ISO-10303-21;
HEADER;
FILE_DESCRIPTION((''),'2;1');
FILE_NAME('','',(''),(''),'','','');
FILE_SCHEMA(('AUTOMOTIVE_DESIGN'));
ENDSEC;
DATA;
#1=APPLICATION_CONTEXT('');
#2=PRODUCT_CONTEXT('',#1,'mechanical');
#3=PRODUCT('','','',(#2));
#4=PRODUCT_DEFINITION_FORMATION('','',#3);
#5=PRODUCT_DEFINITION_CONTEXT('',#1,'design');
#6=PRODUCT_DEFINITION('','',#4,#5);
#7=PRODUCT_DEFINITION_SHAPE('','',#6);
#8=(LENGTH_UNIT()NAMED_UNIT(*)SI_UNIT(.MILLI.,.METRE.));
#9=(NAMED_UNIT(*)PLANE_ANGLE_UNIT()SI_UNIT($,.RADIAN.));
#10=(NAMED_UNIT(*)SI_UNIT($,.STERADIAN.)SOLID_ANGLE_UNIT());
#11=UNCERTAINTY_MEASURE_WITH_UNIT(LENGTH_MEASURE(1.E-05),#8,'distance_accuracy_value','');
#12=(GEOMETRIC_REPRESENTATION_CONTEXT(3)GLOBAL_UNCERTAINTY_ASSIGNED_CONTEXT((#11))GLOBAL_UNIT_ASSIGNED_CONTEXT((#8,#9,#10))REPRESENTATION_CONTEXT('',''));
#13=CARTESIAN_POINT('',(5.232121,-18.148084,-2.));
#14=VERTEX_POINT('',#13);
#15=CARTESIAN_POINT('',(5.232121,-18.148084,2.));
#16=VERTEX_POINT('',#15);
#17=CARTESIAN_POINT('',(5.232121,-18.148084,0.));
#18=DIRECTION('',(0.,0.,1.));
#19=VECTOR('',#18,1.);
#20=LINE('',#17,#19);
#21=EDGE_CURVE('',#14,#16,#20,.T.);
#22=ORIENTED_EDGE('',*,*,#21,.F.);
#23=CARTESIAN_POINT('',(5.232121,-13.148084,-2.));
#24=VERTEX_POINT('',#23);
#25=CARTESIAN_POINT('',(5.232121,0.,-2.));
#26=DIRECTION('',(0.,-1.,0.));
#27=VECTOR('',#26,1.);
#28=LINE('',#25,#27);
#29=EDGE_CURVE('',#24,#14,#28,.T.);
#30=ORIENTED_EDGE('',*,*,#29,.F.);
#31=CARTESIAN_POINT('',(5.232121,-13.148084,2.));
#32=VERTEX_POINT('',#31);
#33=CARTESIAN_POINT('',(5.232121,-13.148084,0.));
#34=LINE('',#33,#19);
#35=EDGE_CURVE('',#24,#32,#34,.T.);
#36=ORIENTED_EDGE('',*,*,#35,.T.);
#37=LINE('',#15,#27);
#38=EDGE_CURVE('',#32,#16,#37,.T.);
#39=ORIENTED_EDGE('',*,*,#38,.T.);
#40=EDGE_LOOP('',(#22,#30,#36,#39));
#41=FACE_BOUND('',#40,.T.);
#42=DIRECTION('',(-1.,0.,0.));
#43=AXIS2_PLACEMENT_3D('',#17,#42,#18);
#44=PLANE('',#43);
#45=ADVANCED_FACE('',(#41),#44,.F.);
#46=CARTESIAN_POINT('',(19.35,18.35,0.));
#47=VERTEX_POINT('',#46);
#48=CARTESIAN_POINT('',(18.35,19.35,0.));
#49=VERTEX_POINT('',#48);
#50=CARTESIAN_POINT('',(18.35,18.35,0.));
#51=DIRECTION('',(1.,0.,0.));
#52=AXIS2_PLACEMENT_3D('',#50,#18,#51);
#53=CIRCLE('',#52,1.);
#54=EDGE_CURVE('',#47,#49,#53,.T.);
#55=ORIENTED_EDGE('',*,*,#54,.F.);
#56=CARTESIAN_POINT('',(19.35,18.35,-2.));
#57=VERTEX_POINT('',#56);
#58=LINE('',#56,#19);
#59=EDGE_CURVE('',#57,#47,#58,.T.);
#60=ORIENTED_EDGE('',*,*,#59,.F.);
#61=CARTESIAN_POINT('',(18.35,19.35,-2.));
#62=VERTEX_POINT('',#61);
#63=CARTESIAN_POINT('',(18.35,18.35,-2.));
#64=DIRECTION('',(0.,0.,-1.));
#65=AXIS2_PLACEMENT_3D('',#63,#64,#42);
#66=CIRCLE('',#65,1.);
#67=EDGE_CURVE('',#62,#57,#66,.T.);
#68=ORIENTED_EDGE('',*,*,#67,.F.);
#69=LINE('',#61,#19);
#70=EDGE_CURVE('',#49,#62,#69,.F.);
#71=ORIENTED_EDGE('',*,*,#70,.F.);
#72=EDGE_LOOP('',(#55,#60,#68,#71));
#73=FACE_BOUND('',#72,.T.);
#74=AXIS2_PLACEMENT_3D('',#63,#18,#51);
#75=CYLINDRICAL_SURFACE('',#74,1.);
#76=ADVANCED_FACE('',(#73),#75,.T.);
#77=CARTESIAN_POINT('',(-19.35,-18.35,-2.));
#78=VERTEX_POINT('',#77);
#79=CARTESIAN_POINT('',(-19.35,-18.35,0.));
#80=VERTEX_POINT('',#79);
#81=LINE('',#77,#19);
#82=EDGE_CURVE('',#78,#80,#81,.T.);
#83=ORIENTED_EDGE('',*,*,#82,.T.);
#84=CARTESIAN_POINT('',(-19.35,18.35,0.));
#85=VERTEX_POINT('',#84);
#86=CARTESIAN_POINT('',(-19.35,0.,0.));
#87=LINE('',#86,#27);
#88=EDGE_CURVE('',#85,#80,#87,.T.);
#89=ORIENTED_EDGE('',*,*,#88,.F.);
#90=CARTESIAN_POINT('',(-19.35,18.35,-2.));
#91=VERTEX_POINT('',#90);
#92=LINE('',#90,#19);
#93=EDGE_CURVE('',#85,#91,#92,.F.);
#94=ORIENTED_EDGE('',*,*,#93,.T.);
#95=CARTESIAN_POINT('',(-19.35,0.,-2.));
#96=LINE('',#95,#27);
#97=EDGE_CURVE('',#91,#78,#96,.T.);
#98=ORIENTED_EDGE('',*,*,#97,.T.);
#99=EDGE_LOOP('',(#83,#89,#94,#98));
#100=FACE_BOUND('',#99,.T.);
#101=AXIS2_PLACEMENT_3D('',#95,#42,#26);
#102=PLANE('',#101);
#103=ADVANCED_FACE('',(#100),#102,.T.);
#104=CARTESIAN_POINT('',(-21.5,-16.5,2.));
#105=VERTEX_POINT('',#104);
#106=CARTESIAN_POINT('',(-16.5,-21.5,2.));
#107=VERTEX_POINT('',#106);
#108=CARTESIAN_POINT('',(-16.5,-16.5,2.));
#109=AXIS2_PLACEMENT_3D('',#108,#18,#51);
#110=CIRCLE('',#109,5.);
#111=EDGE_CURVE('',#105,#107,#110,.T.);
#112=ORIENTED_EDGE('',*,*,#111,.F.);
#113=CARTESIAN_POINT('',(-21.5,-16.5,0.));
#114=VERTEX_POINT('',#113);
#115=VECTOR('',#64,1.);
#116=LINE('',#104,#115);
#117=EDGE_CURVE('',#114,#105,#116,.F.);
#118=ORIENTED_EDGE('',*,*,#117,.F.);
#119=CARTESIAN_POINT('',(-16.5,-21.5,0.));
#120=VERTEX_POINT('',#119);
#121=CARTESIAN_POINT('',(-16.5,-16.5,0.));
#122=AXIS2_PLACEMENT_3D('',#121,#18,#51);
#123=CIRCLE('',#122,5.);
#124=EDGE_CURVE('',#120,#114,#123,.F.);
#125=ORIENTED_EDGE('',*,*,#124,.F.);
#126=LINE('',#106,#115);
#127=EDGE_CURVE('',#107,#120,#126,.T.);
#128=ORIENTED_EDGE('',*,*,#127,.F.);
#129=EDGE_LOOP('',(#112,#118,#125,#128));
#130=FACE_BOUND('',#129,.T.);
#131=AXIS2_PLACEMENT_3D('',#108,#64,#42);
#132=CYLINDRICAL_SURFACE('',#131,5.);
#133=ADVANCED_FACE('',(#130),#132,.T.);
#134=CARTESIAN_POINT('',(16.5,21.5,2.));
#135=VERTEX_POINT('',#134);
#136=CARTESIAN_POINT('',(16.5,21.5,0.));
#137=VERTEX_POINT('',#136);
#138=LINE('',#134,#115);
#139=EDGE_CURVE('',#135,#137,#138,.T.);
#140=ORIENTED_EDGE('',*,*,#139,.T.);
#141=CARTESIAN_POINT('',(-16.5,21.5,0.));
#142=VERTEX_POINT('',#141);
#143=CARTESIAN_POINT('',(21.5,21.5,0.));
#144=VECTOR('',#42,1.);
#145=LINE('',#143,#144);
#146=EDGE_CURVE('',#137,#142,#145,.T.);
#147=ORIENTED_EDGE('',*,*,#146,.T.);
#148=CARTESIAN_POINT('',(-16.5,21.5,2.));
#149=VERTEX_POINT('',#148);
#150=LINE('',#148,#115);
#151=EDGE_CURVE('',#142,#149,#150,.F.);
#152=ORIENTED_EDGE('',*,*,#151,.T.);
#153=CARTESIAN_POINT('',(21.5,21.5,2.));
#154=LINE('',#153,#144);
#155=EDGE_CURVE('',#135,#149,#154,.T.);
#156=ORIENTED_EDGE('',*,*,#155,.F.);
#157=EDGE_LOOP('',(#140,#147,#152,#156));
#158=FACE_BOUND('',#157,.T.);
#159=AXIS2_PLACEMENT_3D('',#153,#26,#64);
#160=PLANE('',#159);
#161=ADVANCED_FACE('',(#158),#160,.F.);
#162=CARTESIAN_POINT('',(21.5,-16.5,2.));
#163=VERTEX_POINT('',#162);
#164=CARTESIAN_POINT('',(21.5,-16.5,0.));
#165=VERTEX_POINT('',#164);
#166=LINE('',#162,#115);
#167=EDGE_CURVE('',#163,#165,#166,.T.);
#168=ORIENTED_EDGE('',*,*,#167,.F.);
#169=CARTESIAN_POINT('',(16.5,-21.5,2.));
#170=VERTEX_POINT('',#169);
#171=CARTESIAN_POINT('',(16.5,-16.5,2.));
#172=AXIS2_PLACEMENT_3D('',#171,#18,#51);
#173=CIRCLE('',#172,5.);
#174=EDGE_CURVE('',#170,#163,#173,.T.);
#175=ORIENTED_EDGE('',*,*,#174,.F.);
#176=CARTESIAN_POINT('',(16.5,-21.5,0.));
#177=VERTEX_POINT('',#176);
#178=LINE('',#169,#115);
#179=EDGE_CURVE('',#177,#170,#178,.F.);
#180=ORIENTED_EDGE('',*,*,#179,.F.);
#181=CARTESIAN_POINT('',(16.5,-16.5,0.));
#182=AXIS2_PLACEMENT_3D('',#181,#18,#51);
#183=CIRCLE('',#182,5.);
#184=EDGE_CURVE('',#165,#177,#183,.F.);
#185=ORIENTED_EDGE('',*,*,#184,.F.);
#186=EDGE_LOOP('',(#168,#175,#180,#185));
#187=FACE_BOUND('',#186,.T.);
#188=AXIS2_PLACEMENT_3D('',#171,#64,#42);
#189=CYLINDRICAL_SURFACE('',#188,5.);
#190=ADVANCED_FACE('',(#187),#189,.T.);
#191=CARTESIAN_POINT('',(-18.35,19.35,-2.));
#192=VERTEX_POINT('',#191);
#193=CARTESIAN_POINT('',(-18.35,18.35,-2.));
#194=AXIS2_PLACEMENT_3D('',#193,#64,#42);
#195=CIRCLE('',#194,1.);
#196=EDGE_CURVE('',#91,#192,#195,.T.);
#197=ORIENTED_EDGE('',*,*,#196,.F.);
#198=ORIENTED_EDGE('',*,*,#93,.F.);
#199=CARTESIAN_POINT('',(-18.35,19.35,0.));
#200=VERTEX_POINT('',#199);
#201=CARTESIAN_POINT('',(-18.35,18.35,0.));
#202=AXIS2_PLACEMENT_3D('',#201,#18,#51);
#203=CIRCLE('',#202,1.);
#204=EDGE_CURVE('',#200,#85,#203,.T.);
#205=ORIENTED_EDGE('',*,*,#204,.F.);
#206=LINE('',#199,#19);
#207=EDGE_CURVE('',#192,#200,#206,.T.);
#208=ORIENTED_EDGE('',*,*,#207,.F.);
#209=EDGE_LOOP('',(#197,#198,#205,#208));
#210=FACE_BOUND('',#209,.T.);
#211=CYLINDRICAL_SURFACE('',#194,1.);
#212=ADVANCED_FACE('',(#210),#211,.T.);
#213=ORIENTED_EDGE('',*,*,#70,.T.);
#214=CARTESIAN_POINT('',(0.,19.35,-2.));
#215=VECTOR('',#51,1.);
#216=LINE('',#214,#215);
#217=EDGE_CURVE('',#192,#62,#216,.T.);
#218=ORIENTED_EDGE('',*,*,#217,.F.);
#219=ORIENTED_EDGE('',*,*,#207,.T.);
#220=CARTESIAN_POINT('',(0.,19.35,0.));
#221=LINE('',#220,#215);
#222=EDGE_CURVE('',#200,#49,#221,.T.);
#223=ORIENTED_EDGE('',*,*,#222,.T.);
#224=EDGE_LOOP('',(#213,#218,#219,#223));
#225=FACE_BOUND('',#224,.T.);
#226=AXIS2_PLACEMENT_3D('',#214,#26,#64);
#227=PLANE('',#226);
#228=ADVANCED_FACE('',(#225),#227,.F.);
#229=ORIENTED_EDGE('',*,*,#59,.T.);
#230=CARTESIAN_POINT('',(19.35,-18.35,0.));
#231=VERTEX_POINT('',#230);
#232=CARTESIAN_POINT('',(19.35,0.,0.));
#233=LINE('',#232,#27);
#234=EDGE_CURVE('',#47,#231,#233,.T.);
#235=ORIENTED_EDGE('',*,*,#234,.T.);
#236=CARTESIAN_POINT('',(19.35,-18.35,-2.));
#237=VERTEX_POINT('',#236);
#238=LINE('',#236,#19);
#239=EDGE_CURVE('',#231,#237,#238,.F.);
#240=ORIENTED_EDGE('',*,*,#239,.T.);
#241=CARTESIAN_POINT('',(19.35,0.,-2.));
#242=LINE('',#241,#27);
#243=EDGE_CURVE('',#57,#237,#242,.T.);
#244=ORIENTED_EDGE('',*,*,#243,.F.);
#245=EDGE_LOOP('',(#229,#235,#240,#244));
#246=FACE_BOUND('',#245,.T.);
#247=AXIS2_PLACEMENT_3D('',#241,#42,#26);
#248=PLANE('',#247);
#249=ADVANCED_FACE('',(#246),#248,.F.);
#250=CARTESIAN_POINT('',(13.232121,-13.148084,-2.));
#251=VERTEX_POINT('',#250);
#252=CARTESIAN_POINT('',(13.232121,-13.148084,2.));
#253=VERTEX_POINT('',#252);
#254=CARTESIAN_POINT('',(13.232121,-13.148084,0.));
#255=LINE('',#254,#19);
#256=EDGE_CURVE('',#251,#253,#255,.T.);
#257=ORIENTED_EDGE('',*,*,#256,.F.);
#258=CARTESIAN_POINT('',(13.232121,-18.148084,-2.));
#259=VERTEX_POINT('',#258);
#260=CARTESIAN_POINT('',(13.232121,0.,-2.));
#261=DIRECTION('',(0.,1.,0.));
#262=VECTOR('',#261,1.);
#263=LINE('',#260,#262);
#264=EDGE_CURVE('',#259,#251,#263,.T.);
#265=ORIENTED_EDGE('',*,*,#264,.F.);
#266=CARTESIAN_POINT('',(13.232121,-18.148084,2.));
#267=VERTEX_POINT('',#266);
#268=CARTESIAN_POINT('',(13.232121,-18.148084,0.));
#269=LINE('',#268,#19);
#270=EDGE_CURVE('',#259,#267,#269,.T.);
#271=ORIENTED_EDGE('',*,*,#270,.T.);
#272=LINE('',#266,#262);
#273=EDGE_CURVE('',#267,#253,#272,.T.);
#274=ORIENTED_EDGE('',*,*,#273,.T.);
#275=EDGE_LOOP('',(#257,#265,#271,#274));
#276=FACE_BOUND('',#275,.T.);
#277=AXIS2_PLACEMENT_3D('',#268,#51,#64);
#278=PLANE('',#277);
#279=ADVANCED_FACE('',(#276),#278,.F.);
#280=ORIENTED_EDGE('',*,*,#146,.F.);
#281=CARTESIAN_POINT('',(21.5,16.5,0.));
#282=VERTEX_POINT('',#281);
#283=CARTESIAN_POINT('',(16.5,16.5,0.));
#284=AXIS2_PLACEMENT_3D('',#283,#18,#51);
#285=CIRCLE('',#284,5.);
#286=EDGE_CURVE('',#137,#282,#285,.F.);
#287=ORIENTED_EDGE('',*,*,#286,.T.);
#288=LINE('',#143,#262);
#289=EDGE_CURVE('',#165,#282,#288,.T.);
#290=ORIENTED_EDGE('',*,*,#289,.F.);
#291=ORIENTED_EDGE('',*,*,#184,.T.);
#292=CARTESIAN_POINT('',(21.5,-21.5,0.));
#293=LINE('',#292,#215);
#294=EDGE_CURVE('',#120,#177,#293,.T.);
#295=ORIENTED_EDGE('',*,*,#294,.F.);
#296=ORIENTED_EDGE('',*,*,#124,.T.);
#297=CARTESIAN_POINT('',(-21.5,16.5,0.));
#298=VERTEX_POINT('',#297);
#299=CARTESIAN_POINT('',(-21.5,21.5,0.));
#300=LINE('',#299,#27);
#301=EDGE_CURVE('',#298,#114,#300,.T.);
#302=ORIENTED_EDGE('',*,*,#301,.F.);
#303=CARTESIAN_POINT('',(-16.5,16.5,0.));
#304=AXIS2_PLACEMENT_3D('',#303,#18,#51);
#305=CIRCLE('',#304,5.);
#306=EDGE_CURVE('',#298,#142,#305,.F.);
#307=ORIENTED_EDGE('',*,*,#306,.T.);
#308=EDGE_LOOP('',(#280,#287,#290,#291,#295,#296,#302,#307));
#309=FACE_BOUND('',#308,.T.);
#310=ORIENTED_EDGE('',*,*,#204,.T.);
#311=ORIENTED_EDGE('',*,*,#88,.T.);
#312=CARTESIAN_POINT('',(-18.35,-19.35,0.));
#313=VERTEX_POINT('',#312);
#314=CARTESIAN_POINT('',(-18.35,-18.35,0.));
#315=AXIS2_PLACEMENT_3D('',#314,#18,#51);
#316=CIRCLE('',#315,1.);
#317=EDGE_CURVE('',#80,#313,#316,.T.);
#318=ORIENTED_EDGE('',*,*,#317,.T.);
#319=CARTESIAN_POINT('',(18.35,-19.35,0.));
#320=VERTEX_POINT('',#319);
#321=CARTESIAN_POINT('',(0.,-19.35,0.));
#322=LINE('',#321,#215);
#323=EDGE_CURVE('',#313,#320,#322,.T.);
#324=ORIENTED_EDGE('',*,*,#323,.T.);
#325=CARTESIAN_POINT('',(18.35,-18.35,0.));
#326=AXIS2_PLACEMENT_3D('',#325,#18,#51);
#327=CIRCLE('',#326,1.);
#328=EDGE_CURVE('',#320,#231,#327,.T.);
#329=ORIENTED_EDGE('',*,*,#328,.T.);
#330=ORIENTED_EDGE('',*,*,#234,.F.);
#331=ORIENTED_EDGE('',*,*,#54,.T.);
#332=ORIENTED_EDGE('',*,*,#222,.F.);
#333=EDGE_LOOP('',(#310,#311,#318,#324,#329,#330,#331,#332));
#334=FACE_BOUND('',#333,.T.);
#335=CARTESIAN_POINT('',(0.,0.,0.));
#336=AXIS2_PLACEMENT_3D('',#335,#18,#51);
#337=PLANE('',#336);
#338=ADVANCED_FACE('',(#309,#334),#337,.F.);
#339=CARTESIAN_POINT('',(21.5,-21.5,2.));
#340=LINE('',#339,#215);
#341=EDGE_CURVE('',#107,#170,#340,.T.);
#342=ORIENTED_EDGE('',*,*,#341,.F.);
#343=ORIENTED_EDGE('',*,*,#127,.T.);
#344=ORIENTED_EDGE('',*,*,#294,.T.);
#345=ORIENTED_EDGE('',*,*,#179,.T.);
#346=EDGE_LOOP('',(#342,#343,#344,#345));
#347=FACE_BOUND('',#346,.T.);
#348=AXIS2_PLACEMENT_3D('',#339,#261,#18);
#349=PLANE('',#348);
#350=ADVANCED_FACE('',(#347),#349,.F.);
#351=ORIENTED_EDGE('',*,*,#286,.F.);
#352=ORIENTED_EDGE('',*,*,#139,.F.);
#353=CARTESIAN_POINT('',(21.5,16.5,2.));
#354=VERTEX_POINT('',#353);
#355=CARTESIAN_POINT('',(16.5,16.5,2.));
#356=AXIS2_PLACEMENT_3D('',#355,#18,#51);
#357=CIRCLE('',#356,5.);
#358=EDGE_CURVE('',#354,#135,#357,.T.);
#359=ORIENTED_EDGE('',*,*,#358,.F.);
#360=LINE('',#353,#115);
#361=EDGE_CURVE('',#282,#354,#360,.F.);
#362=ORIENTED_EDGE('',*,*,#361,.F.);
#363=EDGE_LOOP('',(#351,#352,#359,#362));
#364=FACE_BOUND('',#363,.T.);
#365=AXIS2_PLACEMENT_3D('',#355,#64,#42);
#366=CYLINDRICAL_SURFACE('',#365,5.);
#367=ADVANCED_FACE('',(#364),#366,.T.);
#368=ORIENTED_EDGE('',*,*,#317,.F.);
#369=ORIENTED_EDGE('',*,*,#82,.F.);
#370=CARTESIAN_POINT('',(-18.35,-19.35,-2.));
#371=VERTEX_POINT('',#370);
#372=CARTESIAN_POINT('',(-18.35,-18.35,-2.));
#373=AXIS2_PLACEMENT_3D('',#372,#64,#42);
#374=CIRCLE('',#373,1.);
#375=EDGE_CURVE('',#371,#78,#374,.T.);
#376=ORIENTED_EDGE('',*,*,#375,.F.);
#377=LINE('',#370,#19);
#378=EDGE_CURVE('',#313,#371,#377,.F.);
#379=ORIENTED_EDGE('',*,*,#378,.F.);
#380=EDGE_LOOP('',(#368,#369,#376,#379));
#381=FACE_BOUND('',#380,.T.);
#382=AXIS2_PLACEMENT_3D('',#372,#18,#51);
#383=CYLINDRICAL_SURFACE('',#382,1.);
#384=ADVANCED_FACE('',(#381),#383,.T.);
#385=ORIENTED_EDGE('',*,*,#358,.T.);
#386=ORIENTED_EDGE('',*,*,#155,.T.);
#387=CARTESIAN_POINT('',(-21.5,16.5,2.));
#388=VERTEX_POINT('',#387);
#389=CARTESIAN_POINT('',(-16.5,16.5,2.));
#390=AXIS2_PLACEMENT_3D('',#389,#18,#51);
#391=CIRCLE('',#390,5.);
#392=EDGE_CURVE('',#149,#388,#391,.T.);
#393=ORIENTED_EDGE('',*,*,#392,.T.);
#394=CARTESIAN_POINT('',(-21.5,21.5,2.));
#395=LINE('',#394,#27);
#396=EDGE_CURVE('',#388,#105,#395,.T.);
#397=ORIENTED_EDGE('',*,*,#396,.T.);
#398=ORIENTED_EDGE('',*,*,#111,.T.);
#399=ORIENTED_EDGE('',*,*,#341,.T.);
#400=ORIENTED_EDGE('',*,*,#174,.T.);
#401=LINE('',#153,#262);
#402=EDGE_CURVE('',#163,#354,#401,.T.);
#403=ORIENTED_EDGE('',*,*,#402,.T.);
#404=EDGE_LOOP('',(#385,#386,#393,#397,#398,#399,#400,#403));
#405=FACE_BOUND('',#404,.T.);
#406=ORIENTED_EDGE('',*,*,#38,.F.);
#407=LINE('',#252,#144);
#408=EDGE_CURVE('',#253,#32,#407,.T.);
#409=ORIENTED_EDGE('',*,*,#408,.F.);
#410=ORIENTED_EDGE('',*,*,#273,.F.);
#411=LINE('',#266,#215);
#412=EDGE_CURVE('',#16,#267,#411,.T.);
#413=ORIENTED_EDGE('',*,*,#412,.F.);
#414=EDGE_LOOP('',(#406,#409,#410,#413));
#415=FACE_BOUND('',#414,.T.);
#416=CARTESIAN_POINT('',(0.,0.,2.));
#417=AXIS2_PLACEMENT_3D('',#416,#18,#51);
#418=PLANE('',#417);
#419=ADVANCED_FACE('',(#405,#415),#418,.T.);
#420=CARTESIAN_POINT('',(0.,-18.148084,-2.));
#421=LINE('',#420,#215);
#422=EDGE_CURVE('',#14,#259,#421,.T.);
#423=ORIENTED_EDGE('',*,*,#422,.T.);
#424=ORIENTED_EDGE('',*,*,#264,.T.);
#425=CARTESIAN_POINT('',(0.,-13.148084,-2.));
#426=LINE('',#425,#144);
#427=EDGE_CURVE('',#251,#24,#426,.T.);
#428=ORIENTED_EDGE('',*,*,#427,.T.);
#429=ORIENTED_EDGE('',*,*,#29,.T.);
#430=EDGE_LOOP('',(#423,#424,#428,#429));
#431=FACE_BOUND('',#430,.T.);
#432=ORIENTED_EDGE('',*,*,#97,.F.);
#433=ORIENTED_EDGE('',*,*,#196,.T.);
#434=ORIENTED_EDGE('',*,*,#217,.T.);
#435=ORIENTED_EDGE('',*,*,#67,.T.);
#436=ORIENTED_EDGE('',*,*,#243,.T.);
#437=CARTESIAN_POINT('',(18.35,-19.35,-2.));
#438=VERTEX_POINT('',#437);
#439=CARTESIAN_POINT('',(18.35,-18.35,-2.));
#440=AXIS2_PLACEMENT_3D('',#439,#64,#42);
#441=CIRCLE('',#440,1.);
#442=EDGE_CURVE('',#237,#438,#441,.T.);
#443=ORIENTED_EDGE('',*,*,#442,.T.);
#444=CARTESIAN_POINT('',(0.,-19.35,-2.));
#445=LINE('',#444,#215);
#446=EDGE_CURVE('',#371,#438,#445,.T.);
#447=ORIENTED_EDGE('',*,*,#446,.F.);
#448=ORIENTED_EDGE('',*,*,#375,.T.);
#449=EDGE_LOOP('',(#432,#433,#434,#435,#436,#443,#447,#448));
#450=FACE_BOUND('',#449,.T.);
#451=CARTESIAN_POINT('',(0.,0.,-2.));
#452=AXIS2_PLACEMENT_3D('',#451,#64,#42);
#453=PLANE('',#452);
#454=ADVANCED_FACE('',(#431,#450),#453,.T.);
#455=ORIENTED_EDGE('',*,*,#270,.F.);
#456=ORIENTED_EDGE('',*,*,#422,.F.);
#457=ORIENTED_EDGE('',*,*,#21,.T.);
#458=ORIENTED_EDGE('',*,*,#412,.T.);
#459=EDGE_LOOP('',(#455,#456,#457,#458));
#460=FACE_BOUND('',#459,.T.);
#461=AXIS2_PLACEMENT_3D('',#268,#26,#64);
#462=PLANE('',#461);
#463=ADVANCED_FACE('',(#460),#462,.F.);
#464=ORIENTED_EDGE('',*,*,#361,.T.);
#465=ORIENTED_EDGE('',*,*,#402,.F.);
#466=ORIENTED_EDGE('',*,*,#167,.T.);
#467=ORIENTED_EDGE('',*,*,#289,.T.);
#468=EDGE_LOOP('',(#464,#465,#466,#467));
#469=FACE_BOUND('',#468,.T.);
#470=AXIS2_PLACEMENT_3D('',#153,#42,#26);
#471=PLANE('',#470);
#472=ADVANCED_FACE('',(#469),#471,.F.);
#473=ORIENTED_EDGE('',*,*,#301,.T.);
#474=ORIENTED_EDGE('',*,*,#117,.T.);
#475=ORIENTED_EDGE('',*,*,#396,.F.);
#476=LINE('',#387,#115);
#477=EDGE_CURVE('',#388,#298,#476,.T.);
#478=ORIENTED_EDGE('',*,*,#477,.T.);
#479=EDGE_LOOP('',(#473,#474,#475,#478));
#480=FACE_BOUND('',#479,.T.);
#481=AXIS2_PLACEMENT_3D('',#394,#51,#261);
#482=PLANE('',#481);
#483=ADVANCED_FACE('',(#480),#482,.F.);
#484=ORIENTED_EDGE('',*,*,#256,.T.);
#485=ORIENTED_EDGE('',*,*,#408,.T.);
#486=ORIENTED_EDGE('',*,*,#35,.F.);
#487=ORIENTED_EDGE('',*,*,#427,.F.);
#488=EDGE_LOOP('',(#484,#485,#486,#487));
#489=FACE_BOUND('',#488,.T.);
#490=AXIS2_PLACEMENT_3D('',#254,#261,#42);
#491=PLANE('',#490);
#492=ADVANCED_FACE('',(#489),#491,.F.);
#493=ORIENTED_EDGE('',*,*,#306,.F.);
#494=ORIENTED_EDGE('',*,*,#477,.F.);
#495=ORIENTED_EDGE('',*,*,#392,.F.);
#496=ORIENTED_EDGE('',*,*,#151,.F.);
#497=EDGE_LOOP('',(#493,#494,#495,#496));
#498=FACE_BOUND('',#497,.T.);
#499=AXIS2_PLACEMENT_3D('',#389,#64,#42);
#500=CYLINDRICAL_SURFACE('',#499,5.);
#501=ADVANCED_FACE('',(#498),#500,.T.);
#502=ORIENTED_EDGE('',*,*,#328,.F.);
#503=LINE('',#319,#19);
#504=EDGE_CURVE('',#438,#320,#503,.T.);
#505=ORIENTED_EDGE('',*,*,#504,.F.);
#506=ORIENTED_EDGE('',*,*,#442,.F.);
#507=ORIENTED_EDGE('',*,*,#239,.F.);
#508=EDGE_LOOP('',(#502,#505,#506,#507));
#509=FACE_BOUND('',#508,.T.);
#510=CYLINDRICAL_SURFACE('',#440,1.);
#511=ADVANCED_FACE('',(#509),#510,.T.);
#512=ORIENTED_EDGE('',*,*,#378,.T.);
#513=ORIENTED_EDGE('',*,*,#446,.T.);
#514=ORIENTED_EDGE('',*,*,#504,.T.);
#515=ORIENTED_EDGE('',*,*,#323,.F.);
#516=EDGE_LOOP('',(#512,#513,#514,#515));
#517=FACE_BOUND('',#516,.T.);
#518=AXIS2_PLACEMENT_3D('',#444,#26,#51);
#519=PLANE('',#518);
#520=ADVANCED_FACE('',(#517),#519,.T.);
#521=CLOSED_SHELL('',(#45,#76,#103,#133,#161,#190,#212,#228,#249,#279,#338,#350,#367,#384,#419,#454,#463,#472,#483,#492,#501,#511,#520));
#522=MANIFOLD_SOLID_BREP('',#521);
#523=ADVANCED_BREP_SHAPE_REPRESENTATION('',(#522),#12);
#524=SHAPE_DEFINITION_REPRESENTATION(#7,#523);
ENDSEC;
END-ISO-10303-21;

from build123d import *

# Parameters (mm, degrees)
SKETCH1_W           = 43.000000106
SKETCH1_H           = 43
BOSS_EXTRUDE1_DEPTH = 2
FILLET1_R           = 5
SKETCH2_W           = 8
SKETCH2_H           = 5
CUT_EXTRUDE1_DEPTH  = 31.471298008
SKETCH3_W           = 38.7
SKETCH3_H           = 38.7
SKETCH3_W_2         = 5
SKETCH3_H_2         = 8
BOSS_EXTRUDE2_DEPTH = 2
FILLET3_R           = 1


with BuildPart() as part:
    # Sketch1 → Boss-Extrude1 (new body)
    with BuildSketch(Plane(origin=(0, 0, 0), x_dir=(0, 1, 0), z_dir=(0, 0, 1))):
        Rectangle(SKETCH1_W, SKETCH1_H)
    extrude(amount=BOSS_EXTRUDE1_DEPTH)

    # Fillet1
    fillet1_edges = [part.edges().sort_by_distance(p)[0] for p in [
        (-21.5, -21.500000053, 1),
        (-21.5, 21.500000053, 1),
        (21.5, 21.500000053, 1),
        (21.5, -21.500000053, 1),
    ]]
    fillet(fillet1_edges, radius=FILLET1_R)

    # Sketch2 → Cut-Extrude1 (cut, through all)
    with BuildSketch(Plane.XY.offset(2)):
        with Locations((9.232121301, -15.648084214)):
            Rectangle(SKETCH2_W, SKETCH2_H)
    extrude(amount=-CUT_EXTRUDE1_DEPTH, mode=Mode.SUBTRACT)

    # Sketch3 → Boss-Extrude2 (add)
    with BuildSketch(Plane.YX):
        Rectangle(SKETCH3_W, SKETCH3_H)
        with Locations((-15.648084214, 9.232121301)):
            Rectangle(SKETCH3_W_2, SKETCH3_H_2, mode=Mode.SUBTRACT)
    extrude(amount=BOSS_EXTRUDE2_DEPTH)

    # Fillet3
    fillet3_edges = [part.edges().sort_by_distance(p)[0] for p in [
        (-19.35, -19.35, -1),
        (-19.35, 19.35, -1),
        (19.35, 19.35, -1),
        (19.35, -19.35, -1),
    ]]
    fillet(fillet3_edges, radius=FILLET3_R)


solid = part.part
